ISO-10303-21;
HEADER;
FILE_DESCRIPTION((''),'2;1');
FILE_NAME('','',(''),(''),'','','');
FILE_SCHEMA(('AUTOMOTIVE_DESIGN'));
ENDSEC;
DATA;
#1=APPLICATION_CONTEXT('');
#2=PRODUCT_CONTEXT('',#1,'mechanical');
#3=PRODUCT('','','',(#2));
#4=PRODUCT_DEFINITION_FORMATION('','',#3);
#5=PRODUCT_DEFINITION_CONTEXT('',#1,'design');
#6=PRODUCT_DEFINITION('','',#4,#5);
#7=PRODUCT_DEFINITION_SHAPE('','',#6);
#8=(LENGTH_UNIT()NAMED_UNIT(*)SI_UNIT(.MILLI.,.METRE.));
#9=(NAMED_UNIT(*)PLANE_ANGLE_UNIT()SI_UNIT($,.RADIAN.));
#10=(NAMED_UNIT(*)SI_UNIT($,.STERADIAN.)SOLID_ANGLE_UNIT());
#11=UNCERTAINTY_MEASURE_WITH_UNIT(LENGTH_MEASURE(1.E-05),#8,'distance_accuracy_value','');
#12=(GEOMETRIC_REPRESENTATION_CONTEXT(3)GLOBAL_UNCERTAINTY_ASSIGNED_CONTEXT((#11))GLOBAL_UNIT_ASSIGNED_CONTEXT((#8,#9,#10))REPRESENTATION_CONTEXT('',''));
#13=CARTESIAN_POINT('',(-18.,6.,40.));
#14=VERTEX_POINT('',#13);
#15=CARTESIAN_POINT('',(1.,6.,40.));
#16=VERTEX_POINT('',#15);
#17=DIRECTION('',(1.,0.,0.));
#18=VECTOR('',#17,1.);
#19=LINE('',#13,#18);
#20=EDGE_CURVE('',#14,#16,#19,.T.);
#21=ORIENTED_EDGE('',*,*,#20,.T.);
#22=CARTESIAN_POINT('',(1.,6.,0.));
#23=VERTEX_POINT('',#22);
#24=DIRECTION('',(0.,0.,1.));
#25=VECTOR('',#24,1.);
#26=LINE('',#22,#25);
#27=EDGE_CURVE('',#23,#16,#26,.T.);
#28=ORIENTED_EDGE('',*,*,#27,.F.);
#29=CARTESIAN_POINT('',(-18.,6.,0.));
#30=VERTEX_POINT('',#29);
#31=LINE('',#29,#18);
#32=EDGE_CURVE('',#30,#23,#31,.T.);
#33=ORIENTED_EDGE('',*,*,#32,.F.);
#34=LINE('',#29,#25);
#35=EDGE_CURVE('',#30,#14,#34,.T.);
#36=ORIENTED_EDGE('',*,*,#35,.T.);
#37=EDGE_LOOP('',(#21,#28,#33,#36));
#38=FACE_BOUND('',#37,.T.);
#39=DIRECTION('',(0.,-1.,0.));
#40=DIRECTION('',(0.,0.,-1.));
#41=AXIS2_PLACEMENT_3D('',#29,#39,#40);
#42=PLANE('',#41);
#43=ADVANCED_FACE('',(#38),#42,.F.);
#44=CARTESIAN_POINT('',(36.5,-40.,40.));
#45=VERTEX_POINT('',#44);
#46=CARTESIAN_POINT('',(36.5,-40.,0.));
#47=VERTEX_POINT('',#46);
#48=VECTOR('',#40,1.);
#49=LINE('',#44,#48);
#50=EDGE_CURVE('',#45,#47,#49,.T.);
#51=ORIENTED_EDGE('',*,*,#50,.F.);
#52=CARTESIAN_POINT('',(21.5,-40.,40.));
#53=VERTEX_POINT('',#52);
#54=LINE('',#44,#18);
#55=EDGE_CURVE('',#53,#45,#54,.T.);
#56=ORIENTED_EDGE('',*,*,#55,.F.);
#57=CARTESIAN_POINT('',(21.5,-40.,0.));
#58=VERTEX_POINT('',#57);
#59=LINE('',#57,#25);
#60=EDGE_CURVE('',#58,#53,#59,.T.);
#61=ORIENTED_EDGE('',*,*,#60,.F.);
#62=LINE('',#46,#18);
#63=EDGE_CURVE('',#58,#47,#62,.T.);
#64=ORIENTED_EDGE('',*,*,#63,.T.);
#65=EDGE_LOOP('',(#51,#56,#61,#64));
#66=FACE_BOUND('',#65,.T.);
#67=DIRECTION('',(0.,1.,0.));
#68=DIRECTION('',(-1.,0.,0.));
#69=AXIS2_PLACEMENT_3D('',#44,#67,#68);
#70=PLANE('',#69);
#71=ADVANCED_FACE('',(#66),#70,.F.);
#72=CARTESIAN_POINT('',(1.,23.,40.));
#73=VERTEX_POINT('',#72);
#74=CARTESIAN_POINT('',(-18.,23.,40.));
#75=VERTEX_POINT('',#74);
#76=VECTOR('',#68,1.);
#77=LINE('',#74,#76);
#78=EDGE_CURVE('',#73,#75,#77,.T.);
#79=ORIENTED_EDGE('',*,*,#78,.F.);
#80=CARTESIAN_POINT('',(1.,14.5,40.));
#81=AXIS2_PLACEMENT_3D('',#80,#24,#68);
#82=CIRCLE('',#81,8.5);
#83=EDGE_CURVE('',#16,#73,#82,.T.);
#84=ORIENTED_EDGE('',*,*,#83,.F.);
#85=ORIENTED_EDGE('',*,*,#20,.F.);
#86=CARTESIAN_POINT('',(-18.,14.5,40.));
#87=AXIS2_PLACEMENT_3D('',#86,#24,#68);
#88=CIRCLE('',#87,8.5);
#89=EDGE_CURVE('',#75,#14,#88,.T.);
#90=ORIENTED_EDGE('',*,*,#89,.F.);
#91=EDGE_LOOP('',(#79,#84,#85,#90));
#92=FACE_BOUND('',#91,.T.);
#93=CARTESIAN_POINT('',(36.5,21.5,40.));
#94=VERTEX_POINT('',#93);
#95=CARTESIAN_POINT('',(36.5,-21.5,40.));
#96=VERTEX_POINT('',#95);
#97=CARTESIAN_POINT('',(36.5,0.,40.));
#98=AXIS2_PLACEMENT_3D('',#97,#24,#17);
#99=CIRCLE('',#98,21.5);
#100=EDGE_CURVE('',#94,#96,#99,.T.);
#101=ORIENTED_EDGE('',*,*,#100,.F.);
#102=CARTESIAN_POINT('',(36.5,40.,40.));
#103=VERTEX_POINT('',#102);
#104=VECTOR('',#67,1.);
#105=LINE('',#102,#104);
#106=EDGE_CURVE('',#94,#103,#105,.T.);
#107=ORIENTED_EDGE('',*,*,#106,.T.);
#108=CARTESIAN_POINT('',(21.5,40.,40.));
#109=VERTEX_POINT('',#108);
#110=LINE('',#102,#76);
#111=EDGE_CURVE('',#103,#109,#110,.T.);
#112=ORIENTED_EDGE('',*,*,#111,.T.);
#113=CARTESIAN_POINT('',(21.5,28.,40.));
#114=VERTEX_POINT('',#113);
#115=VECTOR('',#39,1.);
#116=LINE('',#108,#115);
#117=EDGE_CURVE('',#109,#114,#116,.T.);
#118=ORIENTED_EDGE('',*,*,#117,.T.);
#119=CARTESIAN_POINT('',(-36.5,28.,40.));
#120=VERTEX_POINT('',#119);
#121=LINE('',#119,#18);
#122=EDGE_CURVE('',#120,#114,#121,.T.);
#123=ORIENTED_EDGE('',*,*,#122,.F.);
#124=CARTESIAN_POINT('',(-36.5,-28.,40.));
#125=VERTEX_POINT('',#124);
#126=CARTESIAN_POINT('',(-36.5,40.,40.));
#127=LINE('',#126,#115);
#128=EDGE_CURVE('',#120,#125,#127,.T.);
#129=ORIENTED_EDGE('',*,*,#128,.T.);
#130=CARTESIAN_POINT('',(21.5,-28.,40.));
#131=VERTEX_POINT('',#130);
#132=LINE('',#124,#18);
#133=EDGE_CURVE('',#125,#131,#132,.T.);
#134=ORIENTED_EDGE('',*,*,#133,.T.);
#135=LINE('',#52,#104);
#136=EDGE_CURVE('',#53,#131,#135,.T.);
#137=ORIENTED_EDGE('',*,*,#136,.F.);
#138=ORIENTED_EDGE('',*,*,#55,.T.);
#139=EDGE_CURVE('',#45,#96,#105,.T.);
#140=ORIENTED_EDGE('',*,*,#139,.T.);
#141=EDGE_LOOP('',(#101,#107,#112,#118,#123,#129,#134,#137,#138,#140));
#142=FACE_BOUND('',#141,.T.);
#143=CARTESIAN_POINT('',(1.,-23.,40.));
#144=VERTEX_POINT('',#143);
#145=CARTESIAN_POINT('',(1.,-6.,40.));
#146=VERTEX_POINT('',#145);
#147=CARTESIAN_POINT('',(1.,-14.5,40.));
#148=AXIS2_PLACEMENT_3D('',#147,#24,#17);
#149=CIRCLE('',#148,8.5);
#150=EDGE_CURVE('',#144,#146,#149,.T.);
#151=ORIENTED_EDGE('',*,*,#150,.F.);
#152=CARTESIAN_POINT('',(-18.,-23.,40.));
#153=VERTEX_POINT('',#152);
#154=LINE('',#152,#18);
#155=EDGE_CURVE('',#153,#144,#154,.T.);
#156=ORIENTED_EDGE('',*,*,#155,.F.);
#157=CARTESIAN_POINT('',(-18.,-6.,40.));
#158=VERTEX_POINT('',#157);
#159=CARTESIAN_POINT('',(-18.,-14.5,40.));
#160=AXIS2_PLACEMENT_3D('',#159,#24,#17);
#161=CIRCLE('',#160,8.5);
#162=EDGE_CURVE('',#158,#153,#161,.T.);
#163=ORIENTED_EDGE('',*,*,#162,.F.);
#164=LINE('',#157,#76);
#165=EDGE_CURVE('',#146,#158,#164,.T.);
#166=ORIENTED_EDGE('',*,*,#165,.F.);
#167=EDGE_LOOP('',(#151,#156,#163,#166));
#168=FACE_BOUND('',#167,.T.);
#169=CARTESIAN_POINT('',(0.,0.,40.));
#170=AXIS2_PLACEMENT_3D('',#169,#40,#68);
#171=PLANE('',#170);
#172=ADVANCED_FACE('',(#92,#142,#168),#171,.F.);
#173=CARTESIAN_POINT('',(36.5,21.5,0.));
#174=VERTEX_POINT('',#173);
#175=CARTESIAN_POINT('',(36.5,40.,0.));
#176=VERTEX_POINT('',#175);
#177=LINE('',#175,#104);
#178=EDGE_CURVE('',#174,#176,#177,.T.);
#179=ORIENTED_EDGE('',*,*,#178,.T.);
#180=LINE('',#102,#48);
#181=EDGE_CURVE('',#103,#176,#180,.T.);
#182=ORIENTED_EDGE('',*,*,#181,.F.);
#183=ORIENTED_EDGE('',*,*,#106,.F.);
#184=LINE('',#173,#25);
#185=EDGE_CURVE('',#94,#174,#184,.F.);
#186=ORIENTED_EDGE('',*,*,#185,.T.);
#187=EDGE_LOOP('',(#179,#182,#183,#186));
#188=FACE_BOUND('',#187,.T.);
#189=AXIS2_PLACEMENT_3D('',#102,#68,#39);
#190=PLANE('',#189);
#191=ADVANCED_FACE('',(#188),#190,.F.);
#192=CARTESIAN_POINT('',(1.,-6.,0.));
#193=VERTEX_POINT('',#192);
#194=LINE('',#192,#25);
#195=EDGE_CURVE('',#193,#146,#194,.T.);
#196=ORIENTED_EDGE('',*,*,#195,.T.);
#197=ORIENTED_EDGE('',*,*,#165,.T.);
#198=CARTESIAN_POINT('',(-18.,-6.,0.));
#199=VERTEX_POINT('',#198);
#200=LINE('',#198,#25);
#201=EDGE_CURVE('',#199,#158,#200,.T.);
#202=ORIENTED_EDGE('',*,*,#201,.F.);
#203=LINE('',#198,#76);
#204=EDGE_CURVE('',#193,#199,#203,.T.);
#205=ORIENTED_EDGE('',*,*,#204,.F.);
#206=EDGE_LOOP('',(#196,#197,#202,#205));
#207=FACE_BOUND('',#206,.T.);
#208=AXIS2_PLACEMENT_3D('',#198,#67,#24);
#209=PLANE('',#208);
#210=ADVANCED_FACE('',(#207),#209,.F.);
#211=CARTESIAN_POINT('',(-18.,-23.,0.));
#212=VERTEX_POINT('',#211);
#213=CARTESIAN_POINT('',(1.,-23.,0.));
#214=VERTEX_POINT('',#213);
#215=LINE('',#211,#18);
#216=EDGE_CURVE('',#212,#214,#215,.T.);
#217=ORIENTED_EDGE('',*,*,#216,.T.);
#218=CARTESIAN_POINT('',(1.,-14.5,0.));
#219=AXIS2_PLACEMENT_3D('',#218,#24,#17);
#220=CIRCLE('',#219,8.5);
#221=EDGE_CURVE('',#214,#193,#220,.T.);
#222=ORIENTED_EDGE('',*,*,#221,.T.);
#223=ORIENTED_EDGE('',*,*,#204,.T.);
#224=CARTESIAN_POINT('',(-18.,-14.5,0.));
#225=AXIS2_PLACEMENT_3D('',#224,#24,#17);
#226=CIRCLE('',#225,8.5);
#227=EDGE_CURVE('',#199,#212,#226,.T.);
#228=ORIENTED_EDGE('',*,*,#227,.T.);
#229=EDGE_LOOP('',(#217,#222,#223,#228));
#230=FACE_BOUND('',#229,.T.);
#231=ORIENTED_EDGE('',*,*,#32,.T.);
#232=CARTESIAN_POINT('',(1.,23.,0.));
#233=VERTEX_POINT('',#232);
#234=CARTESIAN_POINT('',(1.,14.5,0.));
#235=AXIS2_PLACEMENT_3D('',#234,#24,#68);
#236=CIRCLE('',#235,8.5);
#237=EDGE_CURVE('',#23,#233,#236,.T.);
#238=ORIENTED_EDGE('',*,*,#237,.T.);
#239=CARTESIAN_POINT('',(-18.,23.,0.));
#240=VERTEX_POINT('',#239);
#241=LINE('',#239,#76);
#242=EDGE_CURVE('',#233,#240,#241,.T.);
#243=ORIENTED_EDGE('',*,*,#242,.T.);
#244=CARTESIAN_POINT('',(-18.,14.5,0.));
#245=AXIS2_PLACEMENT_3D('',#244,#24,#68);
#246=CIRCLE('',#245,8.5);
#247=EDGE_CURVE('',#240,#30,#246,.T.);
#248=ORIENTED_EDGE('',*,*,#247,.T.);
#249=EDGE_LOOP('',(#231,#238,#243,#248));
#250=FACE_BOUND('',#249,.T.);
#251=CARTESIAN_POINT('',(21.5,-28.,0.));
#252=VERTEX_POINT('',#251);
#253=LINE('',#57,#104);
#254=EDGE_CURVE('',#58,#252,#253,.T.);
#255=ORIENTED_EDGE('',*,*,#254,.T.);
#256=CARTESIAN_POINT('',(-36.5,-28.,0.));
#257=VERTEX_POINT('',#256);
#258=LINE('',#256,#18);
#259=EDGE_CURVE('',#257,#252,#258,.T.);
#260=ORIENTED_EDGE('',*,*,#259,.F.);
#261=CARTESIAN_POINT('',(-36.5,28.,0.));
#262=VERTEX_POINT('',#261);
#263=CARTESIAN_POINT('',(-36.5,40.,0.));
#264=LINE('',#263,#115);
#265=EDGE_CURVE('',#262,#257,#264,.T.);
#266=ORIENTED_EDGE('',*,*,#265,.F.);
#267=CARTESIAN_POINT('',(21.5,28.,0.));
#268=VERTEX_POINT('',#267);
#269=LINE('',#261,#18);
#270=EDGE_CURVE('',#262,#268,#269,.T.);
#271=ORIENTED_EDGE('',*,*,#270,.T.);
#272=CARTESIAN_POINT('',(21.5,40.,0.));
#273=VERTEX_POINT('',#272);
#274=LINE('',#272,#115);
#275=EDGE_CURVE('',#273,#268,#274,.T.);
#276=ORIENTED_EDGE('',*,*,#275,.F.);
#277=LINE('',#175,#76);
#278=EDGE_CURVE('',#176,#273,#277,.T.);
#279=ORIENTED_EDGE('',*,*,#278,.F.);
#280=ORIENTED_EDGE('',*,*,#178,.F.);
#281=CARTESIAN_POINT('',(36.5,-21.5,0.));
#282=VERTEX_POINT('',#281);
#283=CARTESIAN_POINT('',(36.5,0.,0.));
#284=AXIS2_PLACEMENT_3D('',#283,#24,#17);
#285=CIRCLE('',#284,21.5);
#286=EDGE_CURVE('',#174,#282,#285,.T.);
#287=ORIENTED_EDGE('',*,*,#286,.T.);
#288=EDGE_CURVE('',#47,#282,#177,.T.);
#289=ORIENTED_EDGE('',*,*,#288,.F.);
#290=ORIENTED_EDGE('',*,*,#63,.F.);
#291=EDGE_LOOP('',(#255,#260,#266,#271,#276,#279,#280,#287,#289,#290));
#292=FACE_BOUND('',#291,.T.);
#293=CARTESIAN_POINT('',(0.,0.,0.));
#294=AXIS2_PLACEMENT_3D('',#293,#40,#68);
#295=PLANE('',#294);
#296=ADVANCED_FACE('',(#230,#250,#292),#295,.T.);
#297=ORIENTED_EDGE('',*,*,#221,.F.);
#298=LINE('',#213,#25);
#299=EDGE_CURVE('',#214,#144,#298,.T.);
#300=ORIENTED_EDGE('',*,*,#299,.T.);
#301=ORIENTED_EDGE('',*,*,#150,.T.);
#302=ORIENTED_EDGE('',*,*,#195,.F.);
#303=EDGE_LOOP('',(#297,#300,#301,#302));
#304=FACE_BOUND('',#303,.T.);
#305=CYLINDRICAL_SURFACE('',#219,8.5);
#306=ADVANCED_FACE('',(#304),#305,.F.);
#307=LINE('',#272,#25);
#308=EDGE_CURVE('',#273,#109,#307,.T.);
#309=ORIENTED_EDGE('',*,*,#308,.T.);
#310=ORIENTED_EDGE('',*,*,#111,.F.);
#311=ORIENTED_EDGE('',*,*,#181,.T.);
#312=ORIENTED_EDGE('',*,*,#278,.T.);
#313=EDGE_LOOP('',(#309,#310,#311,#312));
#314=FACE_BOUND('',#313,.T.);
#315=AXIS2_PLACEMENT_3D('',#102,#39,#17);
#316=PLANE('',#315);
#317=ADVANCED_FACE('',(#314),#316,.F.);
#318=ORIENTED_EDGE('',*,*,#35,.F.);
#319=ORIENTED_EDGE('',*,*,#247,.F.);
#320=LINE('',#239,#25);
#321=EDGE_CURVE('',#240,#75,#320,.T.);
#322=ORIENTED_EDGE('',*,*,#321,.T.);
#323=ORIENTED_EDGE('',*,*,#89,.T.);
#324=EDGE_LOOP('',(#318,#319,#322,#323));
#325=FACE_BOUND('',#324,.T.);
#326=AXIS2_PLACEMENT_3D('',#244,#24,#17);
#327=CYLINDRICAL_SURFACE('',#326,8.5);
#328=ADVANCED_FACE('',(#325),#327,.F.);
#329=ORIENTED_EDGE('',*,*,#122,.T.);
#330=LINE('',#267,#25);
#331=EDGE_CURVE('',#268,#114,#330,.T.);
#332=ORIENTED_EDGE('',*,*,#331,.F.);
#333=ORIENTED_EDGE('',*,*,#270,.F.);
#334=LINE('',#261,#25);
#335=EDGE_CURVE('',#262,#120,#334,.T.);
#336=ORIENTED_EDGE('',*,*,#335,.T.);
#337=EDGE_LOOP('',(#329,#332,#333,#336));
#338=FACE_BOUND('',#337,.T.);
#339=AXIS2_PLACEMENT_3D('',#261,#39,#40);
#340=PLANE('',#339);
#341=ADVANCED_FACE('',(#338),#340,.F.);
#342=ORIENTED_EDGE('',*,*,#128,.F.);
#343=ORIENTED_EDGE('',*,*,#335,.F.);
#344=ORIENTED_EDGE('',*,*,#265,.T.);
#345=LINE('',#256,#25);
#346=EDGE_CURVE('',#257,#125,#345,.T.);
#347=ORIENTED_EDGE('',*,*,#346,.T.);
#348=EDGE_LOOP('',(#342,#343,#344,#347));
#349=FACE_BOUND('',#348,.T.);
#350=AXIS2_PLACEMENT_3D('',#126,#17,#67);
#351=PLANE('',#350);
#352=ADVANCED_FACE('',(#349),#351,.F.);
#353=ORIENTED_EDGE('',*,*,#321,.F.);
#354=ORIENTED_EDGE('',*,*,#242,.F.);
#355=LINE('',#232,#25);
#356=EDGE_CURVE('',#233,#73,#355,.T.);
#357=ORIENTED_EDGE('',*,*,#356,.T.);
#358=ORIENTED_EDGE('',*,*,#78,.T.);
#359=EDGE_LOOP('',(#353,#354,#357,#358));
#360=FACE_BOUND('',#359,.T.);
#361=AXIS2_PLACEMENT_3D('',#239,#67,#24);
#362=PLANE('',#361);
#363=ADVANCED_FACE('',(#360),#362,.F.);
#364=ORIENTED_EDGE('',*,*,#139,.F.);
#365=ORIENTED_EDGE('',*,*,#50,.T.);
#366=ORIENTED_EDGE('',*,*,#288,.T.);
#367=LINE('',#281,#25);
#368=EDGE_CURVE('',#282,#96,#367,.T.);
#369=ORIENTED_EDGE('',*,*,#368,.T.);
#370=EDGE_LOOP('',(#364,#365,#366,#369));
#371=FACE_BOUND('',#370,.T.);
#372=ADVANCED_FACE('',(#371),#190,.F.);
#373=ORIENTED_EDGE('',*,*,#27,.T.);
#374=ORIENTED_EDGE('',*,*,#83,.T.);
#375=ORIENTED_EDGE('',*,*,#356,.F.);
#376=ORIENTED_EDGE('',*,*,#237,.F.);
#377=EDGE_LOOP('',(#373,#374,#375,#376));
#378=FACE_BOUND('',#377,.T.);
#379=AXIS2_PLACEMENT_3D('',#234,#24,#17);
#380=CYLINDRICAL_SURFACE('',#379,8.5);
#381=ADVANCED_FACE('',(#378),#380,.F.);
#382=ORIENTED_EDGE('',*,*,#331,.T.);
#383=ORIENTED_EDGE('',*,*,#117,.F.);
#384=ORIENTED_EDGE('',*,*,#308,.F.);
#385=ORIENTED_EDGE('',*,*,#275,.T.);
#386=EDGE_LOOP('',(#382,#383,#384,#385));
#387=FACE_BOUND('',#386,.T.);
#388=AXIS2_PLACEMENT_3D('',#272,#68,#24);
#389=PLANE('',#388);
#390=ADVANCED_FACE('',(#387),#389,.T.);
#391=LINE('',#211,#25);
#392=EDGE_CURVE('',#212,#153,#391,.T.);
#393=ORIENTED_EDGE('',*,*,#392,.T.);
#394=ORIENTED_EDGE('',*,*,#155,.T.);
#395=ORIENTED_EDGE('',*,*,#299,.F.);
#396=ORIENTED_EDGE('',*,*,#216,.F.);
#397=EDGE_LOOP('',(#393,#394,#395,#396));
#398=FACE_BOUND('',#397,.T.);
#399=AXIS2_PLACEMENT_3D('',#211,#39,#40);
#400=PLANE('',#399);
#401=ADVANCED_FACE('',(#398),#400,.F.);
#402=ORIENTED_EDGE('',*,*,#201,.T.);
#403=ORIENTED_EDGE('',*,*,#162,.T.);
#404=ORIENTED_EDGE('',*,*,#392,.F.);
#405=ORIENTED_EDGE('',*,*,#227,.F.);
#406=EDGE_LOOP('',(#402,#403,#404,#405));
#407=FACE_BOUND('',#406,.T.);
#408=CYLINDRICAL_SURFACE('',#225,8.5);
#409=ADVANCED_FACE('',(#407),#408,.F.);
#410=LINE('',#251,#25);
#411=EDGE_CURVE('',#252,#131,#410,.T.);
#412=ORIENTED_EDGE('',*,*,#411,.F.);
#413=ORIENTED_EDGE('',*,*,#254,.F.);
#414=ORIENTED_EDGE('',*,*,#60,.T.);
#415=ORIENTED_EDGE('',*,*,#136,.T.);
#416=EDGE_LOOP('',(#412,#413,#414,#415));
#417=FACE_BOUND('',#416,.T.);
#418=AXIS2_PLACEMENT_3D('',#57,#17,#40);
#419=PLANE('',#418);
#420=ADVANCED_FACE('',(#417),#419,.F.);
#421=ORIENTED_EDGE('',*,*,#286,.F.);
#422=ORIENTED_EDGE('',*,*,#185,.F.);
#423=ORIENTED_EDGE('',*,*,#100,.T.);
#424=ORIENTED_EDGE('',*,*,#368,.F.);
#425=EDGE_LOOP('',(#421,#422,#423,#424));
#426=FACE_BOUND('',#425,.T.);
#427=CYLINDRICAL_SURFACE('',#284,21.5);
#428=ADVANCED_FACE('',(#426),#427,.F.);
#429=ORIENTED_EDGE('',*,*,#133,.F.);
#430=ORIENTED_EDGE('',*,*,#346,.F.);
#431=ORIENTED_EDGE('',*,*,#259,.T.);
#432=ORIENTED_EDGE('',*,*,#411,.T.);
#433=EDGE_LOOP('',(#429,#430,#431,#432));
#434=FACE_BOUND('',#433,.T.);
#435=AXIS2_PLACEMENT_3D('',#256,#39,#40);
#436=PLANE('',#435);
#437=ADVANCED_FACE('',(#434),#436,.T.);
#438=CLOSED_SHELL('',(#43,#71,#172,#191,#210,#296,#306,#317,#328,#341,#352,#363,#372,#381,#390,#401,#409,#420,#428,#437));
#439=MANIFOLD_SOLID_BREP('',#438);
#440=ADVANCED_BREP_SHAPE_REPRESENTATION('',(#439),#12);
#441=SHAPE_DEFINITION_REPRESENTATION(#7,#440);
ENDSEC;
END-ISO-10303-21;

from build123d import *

# Parameters (mm, degrees)
SKETCH_1_W          = 73
SKETCH_1_H          = 80
EXTRUDE_1_DEPTH     = 40
SKETCH_2_R          = 21.5
CUT_EXTRUDE_1_DEPTH = 68.321987493
SKETCH_3_W          = 58
SKETCH_3_H          = 12
CUT_EXTRUDE_5_DEPTH = 68.321987493


with BuildPart() as part:
    # Эскиз1 → Бобышка-Вытянуть1 (new body)
    with BuildSketch(Plane.XY):
        Rectangle(SKETCH_1_W, SKETCH_1_H)
    extrude(amount=EXTRUDE_1_DEPTH)

    # Эскиз2 → Вырез-Вытянуть1 (cut, through all)
    with BuildSketch(Plane.XY.offset(40)):
        with Locations((36.5, 0)):
            Circle(SKETCH_2_R)
        with BuildLine():
            Line((-18, -6), (1, -6))
            ThreePointArc((1, -6), (9.5, -14.5), (1, -23))
            Line((1, -23), (-18, -23))
            ThreePointArc((-18, -23), (-26.5, -14.5), (-18, -6))
        make_face()
        with BuildLine():
            Line((-18, 6), (1, 6))
            ThreePointArc((1, 6), (9.5, 14.5), (1, 23))
            Line((1, 23), (-18, 23))
            ThreePointArc((-18, 23), (-26.5, 14.5), (-18, 6))
        make_face()
    extrude(amount=-CUT_EXTRUDE_1_DEPTH, mode=Mode.SUBTRACT)

    # Эскиз3 → Вырез-Вытянуть5 (cut, through all)
    with BuildSketch(Plane.XY.offset(40)):
        with Locations((-7.5, 34)):
            Rectangle(SKETCH_3_W, SKETCH_3_H)
    cut_extrude_5 = extrude(amount=-CUT_EXTRUDE_5_DEPTH, mode=Mode.SUBTRACT)

    # Зеркальное отражение1: Вырез-Вытянуть5 across plane
    add(cut_extrude_5.mirror(Plane.ZX), mode=Mode.SUBTRACT)


solid = part.part
